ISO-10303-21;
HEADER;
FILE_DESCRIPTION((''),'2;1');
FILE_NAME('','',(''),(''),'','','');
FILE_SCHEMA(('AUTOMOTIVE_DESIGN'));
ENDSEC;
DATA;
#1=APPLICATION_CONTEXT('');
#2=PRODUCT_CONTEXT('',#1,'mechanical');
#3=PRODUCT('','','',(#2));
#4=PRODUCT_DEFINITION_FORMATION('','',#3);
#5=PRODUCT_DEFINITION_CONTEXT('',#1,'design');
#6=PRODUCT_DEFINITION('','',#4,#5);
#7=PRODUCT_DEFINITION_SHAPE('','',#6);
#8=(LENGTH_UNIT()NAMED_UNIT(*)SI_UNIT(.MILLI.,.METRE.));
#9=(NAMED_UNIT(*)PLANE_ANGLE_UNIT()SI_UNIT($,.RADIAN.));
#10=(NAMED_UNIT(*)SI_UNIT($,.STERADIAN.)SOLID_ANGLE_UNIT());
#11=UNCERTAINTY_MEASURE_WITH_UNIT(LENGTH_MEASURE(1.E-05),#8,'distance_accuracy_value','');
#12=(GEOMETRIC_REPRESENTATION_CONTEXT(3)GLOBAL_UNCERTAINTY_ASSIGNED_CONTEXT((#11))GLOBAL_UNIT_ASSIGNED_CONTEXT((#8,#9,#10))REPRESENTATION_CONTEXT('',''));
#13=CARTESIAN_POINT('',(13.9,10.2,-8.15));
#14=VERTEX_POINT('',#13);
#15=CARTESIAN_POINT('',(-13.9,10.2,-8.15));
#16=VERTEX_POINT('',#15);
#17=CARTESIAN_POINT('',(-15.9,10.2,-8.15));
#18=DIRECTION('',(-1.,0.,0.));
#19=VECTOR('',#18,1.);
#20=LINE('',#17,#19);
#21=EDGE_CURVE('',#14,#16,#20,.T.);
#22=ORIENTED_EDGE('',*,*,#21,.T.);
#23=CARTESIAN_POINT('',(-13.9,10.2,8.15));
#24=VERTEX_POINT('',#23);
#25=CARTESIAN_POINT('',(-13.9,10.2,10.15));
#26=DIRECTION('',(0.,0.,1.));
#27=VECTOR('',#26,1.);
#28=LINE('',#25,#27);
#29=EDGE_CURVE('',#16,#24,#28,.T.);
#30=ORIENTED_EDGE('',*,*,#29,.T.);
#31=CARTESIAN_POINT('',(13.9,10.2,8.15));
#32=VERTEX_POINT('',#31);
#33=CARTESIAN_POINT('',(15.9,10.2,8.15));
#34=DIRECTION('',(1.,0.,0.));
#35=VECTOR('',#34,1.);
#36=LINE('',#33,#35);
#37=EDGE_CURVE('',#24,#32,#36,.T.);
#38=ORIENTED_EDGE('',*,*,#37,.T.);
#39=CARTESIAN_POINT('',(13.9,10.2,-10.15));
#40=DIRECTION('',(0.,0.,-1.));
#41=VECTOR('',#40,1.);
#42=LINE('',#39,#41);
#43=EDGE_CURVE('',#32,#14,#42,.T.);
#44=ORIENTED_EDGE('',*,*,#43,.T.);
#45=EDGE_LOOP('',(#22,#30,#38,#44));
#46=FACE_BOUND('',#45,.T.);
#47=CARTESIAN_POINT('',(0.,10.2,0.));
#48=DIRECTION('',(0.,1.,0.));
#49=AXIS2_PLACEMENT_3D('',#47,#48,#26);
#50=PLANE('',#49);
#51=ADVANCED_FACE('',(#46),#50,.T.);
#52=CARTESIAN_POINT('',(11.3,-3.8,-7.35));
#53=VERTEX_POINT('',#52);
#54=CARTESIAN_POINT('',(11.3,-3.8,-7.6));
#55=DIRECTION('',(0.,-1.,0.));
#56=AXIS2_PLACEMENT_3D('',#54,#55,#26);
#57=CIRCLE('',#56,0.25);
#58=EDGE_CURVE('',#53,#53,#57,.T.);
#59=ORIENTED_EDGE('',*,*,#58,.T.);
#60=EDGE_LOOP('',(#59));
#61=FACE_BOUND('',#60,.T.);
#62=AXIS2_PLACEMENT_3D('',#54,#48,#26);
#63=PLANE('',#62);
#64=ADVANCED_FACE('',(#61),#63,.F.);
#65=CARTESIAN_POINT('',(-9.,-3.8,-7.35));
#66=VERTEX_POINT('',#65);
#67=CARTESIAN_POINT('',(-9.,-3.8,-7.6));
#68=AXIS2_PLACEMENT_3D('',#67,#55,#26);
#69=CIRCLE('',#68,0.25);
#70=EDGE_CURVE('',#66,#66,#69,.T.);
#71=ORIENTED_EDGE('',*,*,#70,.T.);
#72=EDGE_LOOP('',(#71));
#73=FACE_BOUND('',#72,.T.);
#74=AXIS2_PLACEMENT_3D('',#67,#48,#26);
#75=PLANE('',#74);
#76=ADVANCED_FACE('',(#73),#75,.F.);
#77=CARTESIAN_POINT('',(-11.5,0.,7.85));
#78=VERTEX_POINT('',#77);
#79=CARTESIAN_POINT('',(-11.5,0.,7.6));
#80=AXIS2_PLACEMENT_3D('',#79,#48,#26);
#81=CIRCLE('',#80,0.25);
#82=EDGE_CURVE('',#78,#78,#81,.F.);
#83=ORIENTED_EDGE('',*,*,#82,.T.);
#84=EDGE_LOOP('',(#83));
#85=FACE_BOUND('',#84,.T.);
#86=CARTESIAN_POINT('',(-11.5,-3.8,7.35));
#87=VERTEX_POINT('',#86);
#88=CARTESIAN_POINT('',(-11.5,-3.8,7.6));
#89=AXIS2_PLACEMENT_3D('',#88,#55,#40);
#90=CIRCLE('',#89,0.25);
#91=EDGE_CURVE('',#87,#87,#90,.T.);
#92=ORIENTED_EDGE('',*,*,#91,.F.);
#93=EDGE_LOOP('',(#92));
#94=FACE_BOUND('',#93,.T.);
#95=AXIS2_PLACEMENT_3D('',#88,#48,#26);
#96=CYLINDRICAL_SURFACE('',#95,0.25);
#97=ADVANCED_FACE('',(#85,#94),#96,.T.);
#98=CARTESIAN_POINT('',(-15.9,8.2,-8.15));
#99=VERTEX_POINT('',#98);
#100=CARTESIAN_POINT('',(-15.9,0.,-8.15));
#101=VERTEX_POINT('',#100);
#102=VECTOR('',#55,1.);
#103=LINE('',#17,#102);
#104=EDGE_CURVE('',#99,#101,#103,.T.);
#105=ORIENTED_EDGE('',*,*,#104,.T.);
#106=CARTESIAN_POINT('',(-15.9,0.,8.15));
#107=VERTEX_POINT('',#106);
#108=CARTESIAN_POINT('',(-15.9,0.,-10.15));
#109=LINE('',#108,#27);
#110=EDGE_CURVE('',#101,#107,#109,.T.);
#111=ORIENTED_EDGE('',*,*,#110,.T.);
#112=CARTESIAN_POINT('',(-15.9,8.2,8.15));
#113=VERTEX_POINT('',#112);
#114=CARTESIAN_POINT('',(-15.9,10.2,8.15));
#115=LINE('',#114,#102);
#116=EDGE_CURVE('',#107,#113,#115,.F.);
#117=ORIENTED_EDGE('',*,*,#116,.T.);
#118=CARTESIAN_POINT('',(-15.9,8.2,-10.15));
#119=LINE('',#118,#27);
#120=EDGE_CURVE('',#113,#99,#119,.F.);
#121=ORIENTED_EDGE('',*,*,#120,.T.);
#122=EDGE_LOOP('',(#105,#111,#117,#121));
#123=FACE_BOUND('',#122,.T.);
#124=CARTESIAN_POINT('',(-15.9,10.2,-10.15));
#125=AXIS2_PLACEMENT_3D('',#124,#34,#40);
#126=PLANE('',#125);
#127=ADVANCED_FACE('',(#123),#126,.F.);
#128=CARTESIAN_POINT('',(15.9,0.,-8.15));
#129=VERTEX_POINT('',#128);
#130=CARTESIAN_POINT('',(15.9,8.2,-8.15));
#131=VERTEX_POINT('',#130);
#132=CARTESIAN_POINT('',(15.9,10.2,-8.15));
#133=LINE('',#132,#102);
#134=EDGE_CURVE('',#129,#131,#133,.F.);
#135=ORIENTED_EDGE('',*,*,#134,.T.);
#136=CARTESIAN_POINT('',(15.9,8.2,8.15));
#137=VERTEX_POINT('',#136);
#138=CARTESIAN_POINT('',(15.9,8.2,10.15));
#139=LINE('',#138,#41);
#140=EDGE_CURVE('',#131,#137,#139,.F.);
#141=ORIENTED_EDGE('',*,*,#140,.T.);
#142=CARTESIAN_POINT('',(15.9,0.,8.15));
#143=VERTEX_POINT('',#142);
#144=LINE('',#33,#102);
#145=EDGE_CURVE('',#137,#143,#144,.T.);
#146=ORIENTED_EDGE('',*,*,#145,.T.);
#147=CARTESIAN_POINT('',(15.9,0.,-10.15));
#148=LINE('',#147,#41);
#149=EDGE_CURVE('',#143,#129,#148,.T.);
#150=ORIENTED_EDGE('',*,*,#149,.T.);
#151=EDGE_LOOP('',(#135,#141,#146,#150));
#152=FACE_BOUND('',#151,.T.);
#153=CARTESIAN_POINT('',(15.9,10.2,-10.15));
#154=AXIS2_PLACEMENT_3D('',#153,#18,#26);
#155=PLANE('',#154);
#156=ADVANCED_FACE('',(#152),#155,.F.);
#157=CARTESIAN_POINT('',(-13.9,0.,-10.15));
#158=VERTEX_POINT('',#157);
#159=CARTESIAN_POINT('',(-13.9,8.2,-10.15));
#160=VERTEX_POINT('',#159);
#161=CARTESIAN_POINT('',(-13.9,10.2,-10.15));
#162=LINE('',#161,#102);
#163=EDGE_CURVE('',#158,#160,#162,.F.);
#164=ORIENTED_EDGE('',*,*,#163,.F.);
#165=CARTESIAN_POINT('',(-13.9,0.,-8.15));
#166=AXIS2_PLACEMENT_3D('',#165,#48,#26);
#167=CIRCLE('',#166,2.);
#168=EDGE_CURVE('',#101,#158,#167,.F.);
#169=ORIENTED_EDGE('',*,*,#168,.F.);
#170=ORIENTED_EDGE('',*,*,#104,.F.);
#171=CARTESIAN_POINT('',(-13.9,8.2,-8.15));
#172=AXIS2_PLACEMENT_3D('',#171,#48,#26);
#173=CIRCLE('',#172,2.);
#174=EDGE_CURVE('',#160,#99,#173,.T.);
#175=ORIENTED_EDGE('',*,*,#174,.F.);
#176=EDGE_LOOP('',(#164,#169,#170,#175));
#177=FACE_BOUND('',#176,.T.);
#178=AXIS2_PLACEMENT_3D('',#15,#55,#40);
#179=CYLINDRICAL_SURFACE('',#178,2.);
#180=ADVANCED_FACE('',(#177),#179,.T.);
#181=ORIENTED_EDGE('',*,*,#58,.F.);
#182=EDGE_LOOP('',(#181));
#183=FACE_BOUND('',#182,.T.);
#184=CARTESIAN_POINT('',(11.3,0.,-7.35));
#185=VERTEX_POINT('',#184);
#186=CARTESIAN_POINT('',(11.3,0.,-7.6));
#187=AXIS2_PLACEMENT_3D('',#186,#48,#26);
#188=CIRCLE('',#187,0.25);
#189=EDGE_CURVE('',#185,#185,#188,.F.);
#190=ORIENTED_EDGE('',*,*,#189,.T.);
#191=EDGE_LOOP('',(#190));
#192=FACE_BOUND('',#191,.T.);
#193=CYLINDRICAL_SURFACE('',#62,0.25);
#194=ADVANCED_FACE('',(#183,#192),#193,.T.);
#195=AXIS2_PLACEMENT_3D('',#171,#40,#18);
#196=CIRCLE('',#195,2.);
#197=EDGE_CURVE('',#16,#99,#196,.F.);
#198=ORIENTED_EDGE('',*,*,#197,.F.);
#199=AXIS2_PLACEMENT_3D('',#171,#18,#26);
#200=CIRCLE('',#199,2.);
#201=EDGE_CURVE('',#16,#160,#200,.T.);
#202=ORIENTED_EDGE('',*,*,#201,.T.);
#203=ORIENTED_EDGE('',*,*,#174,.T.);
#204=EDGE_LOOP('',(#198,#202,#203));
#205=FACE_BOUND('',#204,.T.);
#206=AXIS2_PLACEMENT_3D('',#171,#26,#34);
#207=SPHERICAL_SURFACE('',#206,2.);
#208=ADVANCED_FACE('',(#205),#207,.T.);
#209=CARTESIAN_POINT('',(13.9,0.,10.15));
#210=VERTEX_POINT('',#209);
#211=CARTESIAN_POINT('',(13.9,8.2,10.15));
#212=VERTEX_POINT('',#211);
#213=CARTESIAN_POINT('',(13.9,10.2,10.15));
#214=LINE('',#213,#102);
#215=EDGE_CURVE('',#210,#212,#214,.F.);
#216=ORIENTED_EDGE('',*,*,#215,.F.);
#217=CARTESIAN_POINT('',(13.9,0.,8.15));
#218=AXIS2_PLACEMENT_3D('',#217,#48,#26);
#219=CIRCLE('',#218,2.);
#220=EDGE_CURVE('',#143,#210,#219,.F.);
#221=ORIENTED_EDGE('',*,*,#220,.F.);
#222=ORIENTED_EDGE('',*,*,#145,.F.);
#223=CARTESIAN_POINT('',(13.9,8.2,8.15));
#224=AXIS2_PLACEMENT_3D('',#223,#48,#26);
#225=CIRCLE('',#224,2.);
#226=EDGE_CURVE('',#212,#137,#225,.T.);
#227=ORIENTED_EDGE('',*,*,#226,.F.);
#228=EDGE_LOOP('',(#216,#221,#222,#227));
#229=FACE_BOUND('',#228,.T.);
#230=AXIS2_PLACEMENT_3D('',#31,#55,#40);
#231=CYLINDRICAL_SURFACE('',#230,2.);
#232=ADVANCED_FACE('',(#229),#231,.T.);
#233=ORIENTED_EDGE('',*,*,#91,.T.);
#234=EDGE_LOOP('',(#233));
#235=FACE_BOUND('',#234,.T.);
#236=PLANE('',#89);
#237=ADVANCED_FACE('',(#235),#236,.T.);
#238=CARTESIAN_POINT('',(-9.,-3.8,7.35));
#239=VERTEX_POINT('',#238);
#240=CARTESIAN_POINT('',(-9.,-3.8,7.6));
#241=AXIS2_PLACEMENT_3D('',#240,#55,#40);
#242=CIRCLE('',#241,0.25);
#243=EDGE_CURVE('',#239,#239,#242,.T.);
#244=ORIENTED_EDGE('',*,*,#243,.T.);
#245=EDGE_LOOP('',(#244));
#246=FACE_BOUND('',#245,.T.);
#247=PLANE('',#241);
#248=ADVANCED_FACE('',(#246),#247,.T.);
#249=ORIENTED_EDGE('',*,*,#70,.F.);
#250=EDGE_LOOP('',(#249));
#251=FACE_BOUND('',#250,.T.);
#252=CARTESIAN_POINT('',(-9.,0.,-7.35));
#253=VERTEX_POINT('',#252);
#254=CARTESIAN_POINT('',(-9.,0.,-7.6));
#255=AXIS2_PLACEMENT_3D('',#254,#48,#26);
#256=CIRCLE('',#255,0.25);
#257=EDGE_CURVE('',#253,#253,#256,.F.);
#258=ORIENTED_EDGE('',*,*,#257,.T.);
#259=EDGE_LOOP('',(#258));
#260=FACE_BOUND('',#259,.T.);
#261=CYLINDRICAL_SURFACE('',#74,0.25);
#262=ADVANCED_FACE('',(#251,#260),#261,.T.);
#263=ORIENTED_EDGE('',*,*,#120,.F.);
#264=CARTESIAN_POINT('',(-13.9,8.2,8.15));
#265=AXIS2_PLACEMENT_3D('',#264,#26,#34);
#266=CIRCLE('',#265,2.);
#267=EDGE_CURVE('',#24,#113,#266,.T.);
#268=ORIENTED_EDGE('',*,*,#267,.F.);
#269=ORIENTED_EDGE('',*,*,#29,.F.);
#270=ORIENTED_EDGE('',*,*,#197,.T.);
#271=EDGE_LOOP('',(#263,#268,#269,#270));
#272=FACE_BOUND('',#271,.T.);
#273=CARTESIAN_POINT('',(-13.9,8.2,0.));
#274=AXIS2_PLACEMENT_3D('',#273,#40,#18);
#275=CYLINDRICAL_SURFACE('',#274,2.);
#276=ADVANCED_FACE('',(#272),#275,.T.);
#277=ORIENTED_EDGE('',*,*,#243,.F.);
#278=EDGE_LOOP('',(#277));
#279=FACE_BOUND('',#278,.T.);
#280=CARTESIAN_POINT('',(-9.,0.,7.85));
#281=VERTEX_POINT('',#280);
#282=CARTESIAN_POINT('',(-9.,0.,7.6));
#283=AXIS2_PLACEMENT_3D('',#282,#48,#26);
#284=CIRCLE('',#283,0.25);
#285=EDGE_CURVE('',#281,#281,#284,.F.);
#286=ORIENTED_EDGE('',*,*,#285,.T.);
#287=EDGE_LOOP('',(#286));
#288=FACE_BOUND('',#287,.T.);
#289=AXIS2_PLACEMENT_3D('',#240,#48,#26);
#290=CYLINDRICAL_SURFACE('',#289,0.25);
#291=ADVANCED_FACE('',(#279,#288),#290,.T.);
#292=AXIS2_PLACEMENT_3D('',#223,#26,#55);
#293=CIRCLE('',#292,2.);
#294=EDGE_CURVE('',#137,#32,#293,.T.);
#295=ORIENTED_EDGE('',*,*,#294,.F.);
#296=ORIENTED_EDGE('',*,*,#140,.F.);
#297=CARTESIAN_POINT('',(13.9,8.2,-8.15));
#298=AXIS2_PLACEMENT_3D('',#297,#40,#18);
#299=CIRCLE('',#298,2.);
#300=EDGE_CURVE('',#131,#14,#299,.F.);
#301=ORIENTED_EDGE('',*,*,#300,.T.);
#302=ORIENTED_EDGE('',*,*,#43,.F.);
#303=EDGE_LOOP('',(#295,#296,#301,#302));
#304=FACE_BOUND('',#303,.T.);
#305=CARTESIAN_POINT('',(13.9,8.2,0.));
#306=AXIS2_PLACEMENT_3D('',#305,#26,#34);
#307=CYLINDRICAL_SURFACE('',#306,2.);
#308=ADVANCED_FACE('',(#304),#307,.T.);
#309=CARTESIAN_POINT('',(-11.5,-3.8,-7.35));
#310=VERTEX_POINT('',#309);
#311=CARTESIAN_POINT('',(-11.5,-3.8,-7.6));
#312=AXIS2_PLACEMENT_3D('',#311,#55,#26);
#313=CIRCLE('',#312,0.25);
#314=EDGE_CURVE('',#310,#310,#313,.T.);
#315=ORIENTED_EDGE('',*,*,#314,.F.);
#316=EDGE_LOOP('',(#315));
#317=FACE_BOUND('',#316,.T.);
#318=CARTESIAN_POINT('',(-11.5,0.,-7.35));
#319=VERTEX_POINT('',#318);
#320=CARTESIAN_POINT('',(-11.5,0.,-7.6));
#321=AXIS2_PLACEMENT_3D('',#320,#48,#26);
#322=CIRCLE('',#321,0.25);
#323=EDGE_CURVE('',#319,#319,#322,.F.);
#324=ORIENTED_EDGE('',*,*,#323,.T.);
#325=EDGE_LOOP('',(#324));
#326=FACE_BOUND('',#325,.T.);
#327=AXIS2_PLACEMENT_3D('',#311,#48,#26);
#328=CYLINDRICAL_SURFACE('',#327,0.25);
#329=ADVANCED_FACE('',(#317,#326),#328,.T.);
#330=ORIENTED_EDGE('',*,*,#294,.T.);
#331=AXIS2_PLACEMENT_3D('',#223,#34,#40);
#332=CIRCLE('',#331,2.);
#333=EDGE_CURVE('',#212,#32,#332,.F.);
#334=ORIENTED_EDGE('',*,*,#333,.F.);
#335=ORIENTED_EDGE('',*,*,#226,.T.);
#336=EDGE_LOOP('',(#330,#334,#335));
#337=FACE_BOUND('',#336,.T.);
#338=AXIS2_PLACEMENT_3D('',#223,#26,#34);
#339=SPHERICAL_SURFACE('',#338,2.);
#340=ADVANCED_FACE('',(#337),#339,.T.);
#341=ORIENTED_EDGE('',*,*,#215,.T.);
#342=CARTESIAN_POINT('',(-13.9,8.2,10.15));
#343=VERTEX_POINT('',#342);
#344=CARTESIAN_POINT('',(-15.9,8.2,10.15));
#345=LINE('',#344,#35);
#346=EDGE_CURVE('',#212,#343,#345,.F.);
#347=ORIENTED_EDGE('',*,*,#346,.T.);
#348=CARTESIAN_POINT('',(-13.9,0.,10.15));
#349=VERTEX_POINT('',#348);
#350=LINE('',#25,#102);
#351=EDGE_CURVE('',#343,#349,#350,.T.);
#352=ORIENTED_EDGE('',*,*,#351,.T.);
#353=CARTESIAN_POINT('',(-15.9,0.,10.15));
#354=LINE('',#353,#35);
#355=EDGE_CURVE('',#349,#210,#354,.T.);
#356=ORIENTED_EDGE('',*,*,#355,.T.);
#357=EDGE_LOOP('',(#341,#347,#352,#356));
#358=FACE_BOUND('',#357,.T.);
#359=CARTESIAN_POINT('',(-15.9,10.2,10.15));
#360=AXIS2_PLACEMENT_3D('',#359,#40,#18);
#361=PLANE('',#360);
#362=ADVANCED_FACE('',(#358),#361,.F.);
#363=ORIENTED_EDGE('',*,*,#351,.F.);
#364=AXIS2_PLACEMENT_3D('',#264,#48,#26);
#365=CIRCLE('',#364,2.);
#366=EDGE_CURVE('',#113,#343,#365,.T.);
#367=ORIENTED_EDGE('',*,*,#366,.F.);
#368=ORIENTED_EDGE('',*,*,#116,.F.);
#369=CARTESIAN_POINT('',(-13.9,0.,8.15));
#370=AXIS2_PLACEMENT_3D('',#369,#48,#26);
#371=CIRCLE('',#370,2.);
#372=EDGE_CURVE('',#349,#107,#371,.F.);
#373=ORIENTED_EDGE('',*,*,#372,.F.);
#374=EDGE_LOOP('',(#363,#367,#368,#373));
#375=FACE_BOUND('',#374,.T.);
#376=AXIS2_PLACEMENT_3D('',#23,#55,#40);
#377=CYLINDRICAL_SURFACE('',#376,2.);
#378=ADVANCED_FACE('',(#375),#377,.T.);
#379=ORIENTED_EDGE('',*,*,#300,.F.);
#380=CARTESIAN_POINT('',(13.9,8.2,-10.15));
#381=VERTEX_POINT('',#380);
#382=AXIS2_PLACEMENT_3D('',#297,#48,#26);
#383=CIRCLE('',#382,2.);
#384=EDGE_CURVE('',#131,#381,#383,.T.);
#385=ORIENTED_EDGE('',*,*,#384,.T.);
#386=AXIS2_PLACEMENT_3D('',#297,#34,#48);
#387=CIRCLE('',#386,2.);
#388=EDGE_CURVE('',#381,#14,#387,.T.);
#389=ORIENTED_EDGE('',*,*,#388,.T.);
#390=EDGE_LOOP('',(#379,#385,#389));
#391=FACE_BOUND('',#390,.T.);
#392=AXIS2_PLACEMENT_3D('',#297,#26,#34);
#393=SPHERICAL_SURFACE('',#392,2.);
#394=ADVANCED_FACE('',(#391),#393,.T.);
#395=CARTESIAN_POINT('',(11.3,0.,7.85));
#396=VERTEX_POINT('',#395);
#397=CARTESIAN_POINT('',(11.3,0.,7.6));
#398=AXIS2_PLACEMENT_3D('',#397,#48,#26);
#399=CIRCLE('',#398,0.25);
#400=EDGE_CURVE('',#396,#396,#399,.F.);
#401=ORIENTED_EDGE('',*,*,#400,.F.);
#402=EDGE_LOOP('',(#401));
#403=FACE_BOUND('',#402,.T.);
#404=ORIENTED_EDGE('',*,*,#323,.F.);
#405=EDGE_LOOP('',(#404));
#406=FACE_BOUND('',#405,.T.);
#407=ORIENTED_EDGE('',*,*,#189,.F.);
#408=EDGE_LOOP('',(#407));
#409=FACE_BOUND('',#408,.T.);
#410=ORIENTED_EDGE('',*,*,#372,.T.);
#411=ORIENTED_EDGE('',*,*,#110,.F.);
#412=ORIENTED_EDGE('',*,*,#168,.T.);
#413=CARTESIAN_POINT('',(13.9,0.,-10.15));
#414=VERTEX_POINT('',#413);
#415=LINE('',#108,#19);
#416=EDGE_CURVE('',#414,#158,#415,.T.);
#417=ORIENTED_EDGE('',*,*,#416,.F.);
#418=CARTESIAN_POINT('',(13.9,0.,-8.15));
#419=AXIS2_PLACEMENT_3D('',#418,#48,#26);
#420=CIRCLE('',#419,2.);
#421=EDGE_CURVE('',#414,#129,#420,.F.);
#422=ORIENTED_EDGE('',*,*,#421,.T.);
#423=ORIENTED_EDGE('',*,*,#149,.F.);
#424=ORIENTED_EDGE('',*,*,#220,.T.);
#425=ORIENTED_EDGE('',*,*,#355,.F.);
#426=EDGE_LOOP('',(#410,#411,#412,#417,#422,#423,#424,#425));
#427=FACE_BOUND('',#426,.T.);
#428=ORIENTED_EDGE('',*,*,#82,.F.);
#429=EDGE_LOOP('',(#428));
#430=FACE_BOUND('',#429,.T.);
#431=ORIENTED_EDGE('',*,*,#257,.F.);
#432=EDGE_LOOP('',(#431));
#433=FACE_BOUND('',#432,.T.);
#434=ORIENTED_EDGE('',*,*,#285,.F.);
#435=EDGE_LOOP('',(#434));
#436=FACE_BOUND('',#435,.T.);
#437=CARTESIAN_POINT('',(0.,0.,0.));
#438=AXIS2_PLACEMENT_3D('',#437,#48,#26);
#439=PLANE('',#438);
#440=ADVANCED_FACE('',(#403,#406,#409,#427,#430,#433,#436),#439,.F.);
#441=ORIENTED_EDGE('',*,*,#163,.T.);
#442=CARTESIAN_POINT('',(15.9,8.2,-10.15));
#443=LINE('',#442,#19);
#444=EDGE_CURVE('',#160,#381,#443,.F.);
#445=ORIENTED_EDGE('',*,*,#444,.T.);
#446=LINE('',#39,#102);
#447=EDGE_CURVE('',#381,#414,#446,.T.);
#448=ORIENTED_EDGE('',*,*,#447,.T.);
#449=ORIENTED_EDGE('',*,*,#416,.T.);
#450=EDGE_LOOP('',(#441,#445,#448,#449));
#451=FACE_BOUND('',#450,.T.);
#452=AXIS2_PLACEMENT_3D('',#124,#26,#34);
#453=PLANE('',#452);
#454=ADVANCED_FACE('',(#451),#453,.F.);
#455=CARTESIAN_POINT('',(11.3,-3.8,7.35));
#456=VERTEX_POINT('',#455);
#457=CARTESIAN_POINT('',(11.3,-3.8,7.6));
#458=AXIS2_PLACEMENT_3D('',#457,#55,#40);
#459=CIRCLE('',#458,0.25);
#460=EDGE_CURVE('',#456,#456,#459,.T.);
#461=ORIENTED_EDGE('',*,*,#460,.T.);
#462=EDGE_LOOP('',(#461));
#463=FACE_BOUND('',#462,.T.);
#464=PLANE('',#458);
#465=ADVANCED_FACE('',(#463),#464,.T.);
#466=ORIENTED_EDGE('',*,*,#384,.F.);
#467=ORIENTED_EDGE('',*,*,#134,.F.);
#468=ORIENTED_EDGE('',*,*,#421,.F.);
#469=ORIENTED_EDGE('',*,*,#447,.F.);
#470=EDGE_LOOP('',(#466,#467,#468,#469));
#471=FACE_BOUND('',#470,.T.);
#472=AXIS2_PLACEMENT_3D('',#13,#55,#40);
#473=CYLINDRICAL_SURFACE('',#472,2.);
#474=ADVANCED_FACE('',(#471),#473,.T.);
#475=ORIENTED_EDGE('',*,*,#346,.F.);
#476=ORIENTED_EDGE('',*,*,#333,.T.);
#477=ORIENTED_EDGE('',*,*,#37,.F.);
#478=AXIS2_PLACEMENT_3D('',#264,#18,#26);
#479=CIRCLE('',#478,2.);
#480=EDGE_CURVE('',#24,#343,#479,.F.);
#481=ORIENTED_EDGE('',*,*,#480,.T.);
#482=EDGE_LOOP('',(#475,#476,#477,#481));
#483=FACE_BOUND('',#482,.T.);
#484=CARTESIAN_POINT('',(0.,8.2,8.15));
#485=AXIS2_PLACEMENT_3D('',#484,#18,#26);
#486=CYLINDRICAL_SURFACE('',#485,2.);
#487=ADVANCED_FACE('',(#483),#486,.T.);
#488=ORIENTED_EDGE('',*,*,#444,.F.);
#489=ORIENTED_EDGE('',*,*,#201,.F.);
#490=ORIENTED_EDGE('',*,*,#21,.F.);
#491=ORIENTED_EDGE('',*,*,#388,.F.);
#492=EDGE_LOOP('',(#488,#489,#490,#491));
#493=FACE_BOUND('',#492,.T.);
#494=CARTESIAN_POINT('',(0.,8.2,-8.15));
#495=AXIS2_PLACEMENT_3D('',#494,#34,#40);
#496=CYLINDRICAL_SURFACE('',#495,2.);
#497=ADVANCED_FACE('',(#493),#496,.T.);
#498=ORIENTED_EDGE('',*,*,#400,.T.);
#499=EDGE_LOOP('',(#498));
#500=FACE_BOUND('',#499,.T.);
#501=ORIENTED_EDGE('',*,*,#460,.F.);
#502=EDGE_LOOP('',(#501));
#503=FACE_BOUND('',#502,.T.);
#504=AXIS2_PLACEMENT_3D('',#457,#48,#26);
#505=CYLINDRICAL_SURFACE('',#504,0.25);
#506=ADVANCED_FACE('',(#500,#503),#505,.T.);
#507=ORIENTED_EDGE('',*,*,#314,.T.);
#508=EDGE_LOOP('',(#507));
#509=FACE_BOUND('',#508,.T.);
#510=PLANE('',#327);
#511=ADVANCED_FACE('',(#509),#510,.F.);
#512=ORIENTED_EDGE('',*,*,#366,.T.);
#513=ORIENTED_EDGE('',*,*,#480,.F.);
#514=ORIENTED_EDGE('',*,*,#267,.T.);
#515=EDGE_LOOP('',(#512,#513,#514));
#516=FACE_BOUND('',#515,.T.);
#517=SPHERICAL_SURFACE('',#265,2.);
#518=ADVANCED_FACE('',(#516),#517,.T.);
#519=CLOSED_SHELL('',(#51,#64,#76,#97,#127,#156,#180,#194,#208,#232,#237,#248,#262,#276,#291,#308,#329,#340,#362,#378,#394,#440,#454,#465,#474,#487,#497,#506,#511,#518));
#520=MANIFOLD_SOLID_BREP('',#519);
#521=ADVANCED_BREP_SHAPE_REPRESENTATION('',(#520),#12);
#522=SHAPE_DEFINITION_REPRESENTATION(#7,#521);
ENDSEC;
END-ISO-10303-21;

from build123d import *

# Parameters (mm, degrees)
SKETCH_1_W      = 31.8
SKETCH_1_H      = 20.3
EXTRUDE_1_DEPTH = 10.2
SKETCH_2_R      = 0.25
EXTRUDE_2_DEPTH = 3.8
FILLET_1_R      = 2


with BuildPart() as part:
    # Эскиз1 → Бобышка-Вытянуть1 (new body)
    with BuildSketch(Plane(origin=(0, 0, 0), x_dir=(1, 0, 0), z_dir=(0, 1, 0))):
        Rectangle(SKETCH_1_W, SKETCH_1_H)
    extrude(amount=EXTRUDE_1_DEPTH)

    # Эскиз2 → Бобышка-Вытянуть2 (add)
    with BuildSketch(Plane.XZ):
        with Locations(Location((11.3, 7.6, 0), (0, 0, 90))):
            Circle(SKETCH_2_R)
        with Locations(Location((-11.5, 7.6, 0), (0, 0, 90))):
            Circle(SKETCH_2_R)
        with Locations(Location((-9, 7.6, 0), (0, 0, 90))):
            Circle(SKETCH_2_R)
        with Locations(Location((-9, -7.6, 0), (0, 0, 90))):
            Circle(SKETCH_2_R)
        with Locations(Location((-11.5, -7.6, 0), (0, 0, 90))):
            Circle(SKETCH_2_R)
        with Locations(Location((11.3, -7.6, 0), (0, 0, 90))):
            Circle(SKETCH_2_R)
    extrude(amount=EXTRUDE_2_DEPTH)

    # Скругление1
    fillet_1_edges = [part.edges().sort_by_distance(p)[0] for p in [
        (-15.9, 10.2, 0),
        (0, 10.2, 10.15),
        (15.9, 10.2, 0),
        (0, 10.2, -10.15),
        (15.9, 5.1, 10.15),
        (-15.9, 5.1, 10.15),
        (-15.9, 5.1, -10.15),
        (15.9, 5.1, -10.15),
    ]]
    fillet(fillet_1_edges, radius=FILLET_1_R)


solid = part.part
